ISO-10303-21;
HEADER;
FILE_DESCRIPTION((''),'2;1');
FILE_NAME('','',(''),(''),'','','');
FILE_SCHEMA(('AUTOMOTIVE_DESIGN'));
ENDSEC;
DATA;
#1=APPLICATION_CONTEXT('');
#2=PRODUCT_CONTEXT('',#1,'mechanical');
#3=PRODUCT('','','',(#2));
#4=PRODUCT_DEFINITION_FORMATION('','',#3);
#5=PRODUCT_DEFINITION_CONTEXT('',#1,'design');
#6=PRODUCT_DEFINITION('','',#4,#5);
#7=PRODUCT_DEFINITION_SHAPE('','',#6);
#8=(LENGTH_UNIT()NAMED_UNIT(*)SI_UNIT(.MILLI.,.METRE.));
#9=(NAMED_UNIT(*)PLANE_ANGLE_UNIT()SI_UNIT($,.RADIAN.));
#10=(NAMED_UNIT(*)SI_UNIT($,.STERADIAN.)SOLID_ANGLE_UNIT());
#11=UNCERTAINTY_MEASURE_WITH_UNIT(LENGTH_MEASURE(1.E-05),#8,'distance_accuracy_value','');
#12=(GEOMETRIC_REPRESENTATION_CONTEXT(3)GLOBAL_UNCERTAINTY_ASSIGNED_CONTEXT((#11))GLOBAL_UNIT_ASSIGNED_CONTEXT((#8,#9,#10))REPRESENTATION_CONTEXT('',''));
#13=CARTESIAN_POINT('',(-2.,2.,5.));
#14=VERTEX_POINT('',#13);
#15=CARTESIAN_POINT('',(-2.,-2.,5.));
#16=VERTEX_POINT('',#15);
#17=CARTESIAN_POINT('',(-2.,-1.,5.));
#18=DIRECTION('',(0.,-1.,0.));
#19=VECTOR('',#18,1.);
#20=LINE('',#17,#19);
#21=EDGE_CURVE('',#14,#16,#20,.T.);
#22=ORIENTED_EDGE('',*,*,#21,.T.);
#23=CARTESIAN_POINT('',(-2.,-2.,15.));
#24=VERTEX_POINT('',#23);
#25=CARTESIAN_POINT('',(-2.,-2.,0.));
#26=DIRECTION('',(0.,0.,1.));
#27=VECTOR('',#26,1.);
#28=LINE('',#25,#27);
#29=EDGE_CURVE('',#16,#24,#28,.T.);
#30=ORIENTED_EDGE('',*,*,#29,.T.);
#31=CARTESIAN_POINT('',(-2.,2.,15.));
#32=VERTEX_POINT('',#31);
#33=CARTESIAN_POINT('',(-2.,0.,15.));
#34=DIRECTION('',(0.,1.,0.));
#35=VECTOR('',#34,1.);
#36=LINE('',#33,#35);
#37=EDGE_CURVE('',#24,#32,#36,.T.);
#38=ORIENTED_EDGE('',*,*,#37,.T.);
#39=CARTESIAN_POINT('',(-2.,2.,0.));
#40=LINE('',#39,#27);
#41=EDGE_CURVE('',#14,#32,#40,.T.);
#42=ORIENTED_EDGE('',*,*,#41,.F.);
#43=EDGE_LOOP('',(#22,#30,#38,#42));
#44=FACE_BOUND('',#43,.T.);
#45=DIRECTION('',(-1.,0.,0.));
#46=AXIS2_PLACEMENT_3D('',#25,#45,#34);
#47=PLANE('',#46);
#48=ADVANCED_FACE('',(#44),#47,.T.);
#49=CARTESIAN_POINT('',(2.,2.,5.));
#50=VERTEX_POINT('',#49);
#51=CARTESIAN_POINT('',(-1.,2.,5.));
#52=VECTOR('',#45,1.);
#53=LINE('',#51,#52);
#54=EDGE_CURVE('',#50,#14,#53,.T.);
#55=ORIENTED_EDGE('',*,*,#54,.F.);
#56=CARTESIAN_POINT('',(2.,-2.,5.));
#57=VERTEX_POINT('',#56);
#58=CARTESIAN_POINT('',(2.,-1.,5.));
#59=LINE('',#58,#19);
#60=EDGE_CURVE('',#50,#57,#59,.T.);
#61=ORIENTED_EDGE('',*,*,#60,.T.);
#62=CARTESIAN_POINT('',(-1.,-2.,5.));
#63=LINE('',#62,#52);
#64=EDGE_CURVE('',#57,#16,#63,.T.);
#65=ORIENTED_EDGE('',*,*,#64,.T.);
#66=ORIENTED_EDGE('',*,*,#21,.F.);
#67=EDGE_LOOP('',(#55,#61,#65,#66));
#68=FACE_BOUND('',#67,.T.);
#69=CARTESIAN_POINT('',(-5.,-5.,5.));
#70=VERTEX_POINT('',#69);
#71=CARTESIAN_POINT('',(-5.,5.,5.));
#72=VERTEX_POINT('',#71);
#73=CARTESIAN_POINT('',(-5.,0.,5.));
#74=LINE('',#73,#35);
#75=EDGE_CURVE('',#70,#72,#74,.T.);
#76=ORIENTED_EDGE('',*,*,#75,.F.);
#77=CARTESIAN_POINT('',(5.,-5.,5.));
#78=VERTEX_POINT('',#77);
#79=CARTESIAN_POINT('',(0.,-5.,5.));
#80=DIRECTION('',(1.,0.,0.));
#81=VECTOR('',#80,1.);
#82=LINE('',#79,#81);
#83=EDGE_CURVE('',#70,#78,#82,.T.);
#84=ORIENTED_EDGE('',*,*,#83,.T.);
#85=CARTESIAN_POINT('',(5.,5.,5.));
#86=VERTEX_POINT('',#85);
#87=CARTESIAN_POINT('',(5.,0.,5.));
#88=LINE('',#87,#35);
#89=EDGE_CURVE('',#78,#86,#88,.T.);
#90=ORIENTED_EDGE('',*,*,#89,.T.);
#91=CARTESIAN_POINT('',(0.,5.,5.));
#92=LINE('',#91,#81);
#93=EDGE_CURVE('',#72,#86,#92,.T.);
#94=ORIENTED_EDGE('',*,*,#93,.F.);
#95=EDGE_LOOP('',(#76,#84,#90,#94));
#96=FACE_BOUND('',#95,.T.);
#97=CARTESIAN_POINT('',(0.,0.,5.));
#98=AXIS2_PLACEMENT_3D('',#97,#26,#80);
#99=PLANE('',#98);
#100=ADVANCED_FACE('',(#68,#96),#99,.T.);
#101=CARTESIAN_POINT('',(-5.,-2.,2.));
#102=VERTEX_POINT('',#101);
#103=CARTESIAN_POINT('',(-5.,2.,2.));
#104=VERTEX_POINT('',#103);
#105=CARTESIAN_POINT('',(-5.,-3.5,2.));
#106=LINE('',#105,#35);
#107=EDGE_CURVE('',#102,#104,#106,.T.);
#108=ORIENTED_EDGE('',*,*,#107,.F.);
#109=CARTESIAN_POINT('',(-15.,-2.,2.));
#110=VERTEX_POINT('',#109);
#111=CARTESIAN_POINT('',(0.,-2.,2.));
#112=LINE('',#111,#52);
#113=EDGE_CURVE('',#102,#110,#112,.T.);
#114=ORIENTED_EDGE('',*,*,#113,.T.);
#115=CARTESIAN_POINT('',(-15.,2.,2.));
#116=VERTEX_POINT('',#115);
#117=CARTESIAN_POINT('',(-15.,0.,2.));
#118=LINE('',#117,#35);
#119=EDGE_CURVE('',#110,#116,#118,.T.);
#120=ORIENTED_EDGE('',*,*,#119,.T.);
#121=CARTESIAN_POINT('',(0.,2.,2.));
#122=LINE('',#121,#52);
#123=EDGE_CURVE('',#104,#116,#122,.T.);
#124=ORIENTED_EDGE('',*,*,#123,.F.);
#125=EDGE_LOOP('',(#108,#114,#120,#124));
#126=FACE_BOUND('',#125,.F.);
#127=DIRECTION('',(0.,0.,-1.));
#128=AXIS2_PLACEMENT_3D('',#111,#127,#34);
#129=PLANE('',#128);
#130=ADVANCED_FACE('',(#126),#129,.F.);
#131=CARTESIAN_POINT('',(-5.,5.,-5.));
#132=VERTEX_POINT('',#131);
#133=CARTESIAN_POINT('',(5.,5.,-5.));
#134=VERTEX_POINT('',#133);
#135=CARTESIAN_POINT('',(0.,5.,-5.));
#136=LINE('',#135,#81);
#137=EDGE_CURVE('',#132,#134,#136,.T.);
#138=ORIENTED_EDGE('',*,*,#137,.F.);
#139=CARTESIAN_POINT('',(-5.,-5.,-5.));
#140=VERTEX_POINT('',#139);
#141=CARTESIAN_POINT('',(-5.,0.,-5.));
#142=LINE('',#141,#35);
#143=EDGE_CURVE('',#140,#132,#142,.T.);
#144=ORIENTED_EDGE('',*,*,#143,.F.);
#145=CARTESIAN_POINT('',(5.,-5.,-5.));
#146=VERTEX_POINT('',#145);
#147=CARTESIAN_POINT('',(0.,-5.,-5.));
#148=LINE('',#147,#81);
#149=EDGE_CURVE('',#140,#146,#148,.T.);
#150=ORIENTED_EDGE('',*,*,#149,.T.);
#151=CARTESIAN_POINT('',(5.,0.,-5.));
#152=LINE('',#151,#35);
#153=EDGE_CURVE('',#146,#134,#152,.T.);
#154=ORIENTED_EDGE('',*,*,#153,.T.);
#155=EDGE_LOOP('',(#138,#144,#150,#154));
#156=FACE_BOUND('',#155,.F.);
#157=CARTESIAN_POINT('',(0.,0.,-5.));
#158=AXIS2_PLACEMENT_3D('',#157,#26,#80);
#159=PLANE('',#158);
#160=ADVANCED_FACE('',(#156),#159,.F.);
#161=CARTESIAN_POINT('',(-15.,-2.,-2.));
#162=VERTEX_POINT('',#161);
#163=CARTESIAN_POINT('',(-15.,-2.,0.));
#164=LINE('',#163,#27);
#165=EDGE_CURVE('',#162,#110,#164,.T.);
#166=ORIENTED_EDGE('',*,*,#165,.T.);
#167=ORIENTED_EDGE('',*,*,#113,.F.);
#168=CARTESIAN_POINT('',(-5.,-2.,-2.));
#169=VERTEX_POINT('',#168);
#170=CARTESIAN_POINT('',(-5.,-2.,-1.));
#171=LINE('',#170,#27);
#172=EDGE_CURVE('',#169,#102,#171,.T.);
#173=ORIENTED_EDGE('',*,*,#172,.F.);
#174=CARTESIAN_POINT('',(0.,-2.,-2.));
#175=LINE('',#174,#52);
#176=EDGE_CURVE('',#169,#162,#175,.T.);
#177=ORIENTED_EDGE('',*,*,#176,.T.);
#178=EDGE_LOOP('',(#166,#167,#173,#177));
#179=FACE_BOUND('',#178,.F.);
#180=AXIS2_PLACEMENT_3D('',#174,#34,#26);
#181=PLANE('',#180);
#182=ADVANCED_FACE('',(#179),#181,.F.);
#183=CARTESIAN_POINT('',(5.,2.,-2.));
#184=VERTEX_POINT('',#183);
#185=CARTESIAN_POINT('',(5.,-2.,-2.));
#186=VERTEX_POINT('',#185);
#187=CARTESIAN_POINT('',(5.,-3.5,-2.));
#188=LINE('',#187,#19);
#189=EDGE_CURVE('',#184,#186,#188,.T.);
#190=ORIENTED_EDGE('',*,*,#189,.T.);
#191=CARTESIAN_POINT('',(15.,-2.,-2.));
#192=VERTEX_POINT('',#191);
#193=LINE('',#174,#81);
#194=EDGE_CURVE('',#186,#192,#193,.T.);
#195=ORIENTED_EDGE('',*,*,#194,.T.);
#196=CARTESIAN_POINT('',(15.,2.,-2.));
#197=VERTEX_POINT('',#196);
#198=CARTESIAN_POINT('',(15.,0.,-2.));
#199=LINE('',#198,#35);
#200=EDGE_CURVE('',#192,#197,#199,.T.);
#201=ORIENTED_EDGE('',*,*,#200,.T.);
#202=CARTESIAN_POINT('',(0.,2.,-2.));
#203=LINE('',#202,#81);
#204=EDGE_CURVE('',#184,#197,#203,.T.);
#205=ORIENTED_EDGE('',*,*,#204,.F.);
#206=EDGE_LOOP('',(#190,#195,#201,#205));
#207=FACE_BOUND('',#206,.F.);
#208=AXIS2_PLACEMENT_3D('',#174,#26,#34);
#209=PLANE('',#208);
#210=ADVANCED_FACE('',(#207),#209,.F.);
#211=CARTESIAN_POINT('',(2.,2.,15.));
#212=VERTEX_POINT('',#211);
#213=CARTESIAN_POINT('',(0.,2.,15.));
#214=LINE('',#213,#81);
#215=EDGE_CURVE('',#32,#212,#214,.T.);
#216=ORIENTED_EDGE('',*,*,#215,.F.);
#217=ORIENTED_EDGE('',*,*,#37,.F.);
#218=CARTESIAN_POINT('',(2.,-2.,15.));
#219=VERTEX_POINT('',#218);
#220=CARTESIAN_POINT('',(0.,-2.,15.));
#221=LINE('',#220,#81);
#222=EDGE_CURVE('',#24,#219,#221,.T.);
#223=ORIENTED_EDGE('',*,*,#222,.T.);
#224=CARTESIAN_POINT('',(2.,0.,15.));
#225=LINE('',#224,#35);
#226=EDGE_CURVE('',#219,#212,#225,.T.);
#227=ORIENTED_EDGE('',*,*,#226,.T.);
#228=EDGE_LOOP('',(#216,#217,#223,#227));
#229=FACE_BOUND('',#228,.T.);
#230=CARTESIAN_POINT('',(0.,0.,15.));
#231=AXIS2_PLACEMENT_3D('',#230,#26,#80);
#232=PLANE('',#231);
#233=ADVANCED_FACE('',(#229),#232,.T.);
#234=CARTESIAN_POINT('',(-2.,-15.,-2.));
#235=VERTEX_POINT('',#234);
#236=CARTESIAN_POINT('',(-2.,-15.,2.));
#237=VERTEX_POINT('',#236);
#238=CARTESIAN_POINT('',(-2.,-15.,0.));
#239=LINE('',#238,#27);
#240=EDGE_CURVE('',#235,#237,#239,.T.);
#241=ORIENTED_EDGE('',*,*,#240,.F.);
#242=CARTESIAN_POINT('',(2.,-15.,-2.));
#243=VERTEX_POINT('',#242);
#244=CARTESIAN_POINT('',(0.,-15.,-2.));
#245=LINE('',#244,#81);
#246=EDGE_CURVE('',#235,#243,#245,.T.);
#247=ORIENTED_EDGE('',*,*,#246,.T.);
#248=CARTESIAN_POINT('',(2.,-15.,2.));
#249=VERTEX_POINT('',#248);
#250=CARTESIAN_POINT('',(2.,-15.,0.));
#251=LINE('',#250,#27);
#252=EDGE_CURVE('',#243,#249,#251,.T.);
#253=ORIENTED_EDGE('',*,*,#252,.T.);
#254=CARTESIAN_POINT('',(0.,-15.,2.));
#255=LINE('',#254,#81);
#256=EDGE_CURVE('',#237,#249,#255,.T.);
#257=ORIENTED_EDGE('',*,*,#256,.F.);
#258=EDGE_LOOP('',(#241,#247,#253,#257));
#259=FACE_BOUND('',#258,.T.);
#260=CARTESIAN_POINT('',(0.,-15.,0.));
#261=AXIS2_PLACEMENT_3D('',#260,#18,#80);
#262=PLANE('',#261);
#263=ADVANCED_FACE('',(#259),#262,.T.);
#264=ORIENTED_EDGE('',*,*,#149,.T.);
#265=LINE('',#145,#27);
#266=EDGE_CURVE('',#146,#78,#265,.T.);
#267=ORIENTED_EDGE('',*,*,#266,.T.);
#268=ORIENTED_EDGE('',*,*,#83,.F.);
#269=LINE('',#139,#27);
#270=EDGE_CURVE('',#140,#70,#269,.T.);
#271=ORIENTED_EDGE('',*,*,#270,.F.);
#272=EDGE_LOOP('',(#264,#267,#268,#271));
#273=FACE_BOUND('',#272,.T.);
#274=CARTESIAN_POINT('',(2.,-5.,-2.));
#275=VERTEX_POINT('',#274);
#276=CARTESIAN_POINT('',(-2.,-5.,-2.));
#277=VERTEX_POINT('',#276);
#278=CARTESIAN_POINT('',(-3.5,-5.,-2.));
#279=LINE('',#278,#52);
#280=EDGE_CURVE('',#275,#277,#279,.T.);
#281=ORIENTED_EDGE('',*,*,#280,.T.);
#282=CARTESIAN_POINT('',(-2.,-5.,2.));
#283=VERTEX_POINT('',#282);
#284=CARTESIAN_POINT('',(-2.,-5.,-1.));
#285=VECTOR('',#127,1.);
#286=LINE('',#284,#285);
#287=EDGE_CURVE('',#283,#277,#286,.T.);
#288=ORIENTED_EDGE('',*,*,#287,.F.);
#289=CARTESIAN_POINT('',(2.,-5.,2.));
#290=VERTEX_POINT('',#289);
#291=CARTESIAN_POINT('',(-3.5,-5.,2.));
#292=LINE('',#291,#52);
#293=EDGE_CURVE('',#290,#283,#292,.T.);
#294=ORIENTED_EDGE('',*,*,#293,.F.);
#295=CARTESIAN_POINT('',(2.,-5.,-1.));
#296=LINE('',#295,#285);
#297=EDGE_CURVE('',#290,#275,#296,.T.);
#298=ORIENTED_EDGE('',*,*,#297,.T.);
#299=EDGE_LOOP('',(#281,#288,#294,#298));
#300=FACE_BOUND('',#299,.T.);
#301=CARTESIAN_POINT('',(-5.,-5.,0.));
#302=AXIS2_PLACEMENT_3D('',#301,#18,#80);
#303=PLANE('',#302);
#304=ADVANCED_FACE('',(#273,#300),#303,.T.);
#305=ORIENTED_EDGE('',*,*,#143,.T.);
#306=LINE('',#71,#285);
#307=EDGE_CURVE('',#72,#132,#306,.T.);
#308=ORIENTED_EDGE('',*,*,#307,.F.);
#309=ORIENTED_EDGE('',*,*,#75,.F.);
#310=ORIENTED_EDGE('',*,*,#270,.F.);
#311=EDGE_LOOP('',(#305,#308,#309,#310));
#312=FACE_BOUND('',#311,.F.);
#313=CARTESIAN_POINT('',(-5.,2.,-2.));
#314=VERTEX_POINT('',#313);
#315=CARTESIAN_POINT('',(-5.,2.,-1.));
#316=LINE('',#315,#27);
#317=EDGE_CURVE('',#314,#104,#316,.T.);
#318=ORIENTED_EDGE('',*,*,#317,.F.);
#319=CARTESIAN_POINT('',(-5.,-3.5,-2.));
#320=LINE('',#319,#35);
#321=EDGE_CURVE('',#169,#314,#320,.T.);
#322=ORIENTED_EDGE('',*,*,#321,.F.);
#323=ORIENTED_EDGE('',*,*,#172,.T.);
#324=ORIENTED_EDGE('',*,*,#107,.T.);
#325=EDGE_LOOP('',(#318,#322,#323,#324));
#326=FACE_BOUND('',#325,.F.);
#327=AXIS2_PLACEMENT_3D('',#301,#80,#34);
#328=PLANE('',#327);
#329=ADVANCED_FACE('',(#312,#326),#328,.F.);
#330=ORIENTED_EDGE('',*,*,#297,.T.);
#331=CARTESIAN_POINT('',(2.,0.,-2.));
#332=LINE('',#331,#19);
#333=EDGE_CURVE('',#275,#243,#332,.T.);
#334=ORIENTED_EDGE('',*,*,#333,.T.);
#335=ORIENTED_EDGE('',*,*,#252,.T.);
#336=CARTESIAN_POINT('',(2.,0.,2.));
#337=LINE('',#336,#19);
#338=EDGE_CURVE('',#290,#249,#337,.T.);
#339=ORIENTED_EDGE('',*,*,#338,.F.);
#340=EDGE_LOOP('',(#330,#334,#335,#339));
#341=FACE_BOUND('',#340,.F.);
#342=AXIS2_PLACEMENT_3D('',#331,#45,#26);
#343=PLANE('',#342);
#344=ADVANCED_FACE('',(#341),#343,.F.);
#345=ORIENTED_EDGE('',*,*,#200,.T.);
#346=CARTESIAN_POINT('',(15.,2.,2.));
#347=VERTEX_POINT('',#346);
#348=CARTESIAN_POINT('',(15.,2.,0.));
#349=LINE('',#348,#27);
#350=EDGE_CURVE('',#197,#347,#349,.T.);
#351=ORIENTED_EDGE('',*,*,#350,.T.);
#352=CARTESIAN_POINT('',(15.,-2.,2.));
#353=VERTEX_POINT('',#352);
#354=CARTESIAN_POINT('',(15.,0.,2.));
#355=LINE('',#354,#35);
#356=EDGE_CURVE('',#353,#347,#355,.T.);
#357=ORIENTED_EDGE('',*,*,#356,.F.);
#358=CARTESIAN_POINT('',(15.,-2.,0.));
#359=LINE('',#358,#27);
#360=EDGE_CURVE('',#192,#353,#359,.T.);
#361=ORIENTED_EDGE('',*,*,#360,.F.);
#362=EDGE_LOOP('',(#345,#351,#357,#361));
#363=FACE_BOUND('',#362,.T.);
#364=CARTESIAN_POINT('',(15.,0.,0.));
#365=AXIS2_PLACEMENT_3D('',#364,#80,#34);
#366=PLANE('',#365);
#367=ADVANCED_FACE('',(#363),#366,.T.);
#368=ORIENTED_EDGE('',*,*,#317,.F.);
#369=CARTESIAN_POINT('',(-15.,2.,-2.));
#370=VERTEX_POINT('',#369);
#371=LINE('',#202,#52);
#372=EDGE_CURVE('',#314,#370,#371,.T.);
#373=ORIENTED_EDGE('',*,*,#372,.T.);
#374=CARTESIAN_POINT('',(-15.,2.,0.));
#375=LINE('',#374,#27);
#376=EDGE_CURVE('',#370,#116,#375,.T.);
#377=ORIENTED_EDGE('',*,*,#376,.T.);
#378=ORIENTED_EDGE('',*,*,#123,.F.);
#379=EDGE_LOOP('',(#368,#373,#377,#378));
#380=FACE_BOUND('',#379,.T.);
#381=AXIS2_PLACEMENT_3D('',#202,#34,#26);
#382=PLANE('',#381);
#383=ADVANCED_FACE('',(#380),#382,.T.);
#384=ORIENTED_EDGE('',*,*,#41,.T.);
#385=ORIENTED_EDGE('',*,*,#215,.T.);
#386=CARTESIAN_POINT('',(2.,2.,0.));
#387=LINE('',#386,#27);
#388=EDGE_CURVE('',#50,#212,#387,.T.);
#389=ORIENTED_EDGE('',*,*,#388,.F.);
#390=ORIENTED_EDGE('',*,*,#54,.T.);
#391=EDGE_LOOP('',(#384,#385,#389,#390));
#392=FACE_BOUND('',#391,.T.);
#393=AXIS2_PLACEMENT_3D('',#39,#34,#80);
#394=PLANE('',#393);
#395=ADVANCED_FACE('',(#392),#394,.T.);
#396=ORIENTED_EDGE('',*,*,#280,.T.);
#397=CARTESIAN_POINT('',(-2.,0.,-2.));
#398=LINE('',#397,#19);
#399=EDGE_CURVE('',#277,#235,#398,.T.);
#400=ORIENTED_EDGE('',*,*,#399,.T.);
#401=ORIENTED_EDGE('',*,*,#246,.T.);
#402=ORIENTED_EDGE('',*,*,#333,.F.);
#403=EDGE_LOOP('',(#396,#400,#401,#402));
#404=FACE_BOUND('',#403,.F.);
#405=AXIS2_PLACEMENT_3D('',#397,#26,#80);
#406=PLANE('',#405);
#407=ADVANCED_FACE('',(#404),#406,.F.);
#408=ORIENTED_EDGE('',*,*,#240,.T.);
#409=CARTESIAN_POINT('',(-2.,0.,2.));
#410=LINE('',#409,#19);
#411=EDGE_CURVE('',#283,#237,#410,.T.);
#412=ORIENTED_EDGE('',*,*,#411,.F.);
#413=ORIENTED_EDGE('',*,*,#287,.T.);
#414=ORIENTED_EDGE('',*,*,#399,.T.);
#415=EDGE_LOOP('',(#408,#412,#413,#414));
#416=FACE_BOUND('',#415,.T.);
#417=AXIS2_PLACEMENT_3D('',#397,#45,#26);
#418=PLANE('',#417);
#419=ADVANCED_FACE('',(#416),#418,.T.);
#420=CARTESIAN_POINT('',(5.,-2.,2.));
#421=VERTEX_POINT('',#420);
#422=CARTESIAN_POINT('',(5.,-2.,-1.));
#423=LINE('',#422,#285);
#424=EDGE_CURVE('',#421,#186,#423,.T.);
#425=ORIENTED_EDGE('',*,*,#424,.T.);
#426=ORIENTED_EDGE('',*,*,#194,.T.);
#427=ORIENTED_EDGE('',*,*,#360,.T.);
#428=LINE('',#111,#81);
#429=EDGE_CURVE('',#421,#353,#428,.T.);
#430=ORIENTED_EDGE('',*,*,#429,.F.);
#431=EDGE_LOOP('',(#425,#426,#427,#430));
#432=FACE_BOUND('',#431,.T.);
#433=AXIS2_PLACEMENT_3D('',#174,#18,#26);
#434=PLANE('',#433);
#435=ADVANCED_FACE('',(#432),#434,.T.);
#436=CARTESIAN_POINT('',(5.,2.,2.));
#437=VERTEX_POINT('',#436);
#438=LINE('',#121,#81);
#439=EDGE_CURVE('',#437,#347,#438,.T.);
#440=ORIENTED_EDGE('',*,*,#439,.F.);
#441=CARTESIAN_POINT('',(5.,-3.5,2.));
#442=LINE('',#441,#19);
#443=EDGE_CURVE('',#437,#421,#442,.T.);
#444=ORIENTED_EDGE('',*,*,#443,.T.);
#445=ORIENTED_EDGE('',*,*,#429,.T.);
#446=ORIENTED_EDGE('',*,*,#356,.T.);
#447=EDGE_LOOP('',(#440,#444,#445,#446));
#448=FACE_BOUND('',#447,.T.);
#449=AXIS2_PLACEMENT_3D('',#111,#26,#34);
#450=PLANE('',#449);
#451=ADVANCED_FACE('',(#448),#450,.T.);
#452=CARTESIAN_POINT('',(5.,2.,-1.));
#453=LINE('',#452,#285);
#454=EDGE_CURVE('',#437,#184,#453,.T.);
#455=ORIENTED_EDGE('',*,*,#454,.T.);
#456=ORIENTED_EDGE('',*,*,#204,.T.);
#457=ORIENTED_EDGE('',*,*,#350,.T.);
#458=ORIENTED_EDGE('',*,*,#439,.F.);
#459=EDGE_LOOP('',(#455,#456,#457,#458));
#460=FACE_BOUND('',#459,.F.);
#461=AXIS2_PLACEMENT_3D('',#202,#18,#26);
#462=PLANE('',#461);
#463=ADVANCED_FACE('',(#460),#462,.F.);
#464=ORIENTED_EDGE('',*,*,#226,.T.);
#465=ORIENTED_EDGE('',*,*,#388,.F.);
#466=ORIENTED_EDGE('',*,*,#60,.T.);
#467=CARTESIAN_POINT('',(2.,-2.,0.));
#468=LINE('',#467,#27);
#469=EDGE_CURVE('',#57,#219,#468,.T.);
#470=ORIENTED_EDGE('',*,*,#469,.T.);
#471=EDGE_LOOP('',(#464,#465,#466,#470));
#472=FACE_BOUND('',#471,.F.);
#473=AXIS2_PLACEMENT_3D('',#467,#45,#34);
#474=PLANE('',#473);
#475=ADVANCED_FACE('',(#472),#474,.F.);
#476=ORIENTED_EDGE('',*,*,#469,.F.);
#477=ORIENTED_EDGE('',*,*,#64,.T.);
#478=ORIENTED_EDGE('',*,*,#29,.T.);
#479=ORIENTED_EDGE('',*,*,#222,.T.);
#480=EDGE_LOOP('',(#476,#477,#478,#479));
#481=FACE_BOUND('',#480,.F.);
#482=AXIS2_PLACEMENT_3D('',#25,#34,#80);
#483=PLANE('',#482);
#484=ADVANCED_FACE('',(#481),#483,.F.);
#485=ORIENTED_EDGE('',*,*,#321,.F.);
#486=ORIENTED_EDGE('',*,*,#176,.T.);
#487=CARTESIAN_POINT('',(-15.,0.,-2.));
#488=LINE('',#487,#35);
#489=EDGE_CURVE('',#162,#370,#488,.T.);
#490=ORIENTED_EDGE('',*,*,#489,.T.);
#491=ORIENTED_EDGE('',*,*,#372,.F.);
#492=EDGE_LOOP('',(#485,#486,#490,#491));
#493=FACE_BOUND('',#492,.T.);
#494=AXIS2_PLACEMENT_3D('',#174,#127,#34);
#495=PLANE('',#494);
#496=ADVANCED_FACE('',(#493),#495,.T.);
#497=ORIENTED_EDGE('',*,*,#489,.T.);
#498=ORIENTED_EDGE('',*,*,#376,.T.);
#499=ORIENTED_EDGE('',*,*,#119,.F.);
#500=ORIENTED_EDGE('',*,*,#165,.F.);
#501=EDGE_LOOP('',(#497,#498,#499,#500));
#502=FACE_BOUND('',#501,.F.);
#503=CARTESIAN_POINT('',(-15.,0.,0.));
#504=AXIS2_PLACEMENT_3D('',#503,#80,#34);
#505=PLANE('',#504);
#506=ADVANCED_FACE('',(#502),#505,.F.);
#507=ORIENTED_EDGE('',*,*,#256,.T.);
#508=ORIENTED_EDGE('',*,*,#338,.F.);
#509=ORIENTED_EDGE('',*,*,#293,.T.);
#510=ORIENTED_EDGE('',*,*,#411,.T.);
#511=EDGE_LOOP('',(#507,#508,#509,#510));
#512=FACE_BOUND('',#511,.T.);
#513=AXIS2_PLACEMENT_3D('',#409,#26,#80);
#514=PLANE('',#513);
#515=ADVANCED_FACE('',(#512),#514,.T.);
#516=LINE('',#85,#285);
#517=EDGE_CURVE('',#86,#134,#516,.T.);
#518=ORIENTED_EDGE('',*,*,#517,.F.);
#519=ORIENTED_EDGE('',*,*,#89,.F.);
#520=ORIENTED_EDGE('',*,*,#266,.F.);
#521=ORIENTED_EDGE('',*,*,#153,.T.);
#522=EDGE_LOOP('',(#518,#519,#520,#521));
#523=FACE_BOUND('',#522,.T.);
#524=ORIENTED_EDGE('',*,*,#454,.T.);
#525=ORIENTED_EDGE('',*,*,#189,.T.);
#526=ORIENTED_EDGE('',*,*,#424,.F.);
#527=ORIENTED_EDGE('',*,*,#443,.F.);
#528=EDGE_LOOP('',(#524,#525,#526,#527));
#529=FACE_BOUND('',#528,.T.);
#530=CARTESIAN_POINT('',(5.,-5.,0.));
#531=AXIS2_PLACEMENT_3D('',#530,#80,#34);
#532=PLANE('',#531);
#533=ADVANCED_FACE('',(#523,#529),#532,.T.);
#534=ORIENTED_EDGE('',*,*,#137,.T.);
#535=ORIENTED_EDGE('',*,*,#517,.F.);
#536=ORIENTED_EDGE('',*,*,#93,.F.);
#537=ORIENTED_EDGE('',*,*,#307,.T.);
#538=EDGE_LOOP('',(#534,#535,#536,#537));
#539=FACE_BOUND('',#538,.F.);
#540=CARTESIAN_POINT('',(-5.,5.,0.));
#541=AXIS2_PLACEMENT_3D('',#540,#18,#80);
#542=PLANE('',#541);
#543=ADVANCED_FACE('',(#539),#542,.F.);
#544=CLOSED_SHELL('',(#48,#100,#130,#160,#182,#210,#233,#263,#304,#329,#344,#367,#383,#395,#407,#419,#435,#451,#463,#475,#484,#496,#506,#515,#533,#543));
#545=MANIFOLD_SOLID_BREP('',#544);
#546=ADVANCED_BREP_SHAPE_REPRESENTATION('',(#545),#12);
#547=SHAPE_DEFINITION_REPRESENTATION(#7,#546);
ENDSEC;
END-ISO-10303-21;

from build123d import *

# Parameters (mm, degrees)
F0_W     = 10
F0_H     = 10
F1_DEPTH = 5
F2_W     = 4
F2_H     = 4
F3_DEPTH = 15
F4_W     = 4
F4_H     = 4
F5_DEPTH = 15
F6_W     = 4
F6_H     = 4
F7_DEPTH = 15
F8_DEPTH = 15


with BuildPart() as f1:
    # F0 (on Top) → F1 (new body, symmetric)
    with BuildSketch(Plane.XY):
        Rectangle(F0_W, F0_H)
    extrude(amount=F1_DEPTH, both=True)

    # F2 (on Top) → F3 (join)
    with BuildSketch(Plane.XY):
        Rectangle(F2_W, F2_H)
    extrude(amount=F3_DEPTH)

    # F4 (on Front) → F5 (join)
    with BuildSketch(Plane.XZ):
        Rectangle(F4_W, F4_H)
    extrude(amount=F5_DEPTH)

    # F6 (on Right) → F7 (join)
    with BuildSketch(Plane.YZ):
        Rectangle(F6_W, F6_H)
    extrude(amount=F7_DEPTH)

    # F6 (on Right) → F8 (join)
    with BuildSketch(Plane.YZ):
        Rectangle(F6_W, F6_H)
    extrude(amount=-F8_DEPTH)


solid = f1.part
